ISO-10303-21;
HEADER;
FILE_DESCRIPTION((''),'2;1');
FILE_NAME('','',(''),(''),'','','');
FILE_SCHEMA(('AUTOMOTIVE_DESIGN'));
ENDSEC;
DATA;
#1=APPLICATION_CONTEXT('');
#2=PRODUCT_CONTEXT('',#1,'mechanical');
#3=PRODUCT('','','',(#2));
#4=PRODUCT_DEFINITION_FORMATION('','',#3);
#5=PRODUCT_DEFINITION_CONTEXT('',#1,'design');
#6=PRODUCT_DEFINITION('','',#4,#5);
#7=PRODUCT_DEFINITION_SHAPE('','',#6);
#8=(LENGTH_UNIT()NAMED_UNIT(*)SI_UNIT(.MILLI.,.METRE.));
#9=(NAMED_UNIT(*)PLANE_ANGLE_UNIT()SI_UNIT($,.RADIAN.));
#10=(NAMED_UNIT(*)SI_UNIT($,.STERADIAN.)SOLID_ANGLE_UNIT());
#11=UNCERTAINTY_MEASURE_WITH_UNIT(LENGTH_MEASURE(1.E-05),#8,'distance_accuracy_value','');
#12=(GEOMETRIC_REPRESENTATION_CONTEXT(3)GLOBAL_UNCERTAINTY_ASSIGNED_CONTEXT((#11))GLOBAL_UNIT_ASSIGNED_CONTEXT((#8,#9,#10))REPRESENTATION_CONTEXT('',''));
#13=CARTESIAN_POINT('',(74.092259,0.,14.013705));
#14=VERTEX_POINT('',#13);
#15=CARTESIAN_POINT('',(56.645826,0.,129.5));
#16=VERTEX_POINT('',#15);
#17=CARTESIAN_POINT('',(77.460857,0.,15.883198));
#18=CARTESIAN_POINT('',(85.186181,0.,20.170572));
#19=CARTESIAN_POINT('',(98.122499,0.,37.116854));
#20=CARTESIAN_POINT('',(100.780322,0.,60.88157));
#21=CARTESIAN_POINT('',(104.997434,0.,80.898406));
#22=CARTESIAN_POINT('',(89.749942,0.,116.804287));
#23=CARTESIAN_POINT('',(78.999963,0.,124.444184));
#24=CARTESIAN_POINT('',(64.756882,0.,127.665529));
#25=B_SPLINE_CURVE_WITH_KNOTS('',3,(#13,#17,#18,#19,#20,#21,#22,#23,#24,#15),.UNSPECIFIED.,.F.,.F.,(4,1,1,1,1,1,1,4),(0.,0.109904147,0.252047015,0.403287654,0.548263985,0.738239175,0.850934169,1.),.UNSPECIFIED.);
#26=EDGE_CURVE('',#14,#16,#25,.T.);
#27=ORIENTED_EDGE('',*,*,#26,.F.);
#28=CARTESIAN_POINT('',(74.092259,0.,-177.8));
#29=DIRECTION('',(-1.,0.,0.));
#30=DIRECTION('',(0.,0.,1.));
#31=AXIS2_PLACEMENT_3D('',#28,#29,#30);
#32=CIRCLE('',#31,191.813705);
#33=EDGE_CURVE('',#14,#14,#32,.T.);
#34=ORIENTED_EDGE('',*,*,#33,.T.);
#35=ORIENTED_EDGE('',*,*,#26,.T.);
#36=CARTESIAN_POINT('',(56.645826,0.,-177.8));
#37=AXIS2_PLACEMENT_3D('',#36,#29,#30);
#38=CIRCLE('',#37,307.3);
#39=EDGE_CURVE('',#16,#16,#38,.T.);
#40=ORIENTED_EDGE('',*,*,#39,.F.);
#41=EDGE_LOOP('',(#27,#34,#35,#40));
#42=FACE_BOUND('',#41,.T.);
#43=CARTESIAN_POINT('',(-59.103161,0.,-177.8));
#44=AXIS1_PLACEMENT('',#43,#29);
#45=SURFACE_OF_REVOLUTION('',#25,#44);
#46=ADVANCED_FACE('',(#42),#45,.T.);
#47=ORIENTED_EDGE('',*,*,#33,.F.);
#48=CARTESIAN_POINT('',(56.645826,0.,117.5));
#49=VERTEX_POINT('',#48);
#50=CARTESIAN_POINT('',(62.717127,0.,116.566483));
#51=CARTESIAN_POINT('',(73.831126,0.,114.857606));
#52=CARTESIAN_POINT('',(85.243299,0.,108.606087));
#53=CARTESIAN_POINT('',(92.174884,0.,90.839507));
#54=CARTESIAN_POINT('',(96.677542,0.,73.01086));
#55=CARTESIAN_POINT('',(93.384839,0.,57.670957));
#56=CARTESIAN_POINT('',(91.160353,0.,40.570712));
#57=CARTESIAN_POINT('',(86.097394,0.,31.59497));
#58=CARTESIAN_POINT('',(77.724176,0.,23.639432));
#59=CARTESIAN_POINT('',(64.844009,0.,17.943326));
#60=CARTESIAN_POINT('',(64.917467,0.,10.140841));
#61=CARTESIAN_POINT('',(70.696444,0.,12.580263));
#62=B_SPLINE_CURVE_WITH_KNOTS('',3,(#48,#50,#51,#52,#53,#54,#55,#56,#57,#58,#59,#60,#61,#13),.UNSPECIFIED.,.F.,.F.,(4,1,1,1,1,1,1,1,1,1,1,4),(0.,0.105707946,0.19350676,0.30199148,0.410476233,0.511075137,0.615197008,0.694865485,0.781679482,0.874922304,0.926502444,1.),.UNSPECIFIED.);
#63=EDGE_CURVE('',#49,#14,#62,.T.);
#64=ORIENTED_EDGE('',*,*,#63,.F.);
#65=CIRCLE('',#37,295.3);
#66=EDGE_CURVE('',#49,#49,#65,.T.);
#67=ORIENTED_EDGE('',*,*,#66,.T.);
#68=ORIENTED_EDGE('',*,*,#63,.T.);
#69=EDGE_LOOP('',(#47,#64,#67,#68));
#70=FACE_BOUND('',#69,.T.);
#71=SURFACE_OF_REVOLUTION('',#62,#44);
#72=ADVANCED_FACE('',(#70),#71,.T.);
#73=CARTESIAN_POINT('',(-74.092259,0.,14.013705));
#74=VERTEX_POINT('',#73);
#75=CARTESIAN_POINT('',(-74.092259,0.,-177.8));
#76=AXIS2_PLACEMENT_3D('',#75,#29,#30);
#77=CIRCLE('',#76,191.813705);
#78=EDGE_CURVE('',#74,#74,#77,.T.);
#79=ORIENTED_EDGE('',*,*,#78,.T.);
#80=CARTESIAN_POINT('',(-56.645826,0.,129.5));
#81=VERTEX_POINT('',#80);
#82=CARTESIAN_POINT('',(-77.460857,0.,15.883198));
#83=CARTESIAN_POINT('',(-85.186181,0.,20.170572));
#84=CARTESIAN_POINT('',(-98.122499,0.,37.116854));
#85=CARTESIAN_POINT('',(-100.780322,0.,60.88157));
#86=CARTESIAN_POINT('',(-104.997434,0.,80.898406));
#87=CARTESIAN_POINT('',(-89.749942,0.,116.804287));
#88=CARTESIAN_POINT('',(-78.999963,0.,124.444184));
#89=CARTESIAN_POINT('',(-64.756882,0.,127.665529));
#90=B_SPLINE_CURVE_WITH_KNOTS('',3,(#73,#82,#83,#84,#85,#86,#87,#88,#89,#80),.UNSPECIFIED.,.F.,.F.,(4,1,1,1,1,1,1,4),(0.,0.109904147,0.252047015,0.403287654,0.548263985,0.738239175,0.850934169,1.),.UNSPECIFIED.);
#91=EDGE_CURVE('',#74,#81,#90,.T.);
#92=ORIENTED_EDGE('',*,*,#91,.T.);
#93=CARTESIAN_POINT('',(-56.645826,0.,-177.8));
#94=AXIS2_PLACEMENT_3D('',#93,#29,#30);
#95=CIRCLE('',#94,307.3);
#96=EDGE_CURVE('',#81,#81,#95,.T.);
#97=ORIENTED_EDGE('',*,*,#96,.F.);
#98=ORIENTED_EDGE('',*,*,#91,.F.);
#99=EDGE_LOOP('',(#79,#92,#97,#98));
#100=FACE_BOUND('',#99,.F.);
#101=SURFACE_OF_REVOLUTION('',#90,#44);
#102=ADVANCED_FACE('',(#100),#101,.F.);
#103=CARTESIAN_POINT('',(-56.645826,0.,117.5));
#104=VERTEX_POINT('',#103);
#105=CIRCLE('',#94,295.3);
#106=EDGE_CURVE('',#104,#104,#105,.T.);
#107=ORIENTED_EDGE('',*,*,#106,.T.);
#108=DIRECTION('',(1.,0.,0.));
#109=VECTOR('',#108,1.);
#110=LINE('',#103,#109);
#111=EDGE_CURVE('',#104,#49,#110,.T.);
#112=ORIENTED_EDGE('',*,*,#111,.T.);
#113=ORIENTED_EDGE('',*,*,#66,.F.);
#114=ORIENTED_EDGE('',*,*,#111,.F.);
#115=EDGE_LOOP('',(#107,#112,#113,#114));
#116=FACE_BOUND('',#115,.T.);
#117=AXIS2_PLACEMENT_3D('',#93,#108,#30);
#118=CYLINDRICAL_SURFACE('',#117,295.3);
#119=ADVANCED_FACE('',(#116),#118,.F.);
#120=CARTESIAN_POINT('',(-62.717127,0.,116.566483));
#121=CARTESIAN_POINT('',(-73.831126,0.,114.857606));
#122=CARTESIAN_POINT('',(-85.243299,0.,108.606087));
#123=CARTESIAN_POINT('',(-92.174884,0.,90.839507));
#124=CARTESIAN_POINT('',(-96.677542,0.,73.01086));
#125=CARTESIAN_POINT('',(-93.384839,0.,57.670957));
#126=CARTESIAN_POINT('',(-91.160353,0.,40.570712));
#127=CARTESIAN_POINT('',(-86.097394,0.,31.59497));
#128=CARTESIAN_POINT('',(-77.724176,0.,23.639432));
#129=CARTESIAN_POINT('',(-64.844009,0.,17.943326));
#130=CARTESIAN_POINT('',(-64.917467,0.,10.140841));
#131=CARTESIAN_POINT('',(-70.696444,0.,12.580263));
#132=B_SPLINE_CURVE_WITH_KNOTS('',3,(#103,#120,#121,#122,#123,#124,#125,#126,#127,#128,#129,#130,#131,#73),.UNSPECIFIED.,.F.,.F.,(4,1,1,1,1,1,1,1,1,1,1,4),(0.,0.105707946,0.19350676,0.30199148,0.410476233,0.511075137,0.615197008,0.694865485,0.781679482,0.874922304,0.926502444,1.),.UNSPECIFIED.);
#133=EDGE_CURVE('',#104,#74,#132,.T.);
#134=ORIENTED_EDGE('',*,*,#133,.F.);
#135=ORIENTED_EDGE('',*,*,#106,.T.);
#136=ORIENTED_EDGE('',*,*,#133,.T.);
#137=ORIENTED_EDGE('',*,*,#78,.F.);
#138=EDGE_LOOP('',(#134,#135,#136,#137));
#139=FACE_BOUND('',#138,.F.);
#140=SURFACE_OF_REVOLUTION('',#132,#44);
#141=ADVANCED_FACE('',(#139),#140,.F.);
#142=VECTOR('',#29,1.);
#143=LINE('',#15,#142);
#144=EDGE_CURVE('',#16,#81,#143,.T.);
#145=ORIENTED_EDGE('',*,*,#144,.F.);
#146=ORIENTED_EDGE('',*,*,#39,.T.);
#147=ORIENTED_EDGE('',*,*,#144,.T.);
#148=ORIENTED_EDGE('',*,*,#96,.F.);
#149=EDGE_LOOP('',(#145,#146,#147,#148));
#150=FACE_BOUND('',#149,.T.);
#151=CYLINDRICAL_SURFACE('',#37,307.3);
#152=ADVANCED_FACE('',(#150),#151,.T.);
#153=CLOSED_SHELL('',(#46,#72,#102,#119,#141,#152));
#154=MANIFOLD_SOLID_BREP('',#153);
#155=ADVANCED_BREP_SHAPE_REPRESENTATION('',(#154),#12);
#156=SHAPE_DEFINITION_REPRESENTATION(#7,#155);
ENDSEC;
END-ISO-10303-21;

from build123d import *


with BuildPart() as f1:
    # F0 (on Front) → F1 (revolve)
    with BuildSketch(Plane.XZ):
        with BuildLine():
            add(Edge.make_bspline(
                [(56.6458255053, 117.5), (62.7171272649, 116.5664827373), (73.8311255873, 114.8576055142), (85.2432993489, 108.6060869136), (92.1748838376, 90.8395071551), (96.6775416805, 73.0108596041), (93.3848388851, 57.6709572407), (91.1603534237, 40.5707121309), (86.0973938118, 31.5949696788), (77.7241755203, 23.6394321706), (64.8440093318, 17.9433264081), (64.9174665786, 10.1408411785), (70.6964441381, 12.580263439), (74.0922592328, 14.0137050555)],
                knots=[0, 0, 0, 0, 0.1057079458, 0.1935067599, 0.3019914797, 0.4104762332, 0.5110751366, 0.6151970084, 0.6948654854, 0.7816794816, 0.8749223043, 0.9265024439, 1, 1, 1, 1], degree=3))
            add(Edge.make_bspline(
                [(74.0922592328, 14.0137050555), (77.460857379, 15.8831982669), (85.1861810436, 20.1705722785), (98.1224992698, 37.1168542101), (100.7803224981, 60.881569733), (104.9974342753, 80.898405937), (89.7499416824, 116.8042871993), (78.9999632091, 124.444184055), (64.7568817465, 127.6655294416), (56.6458255053, 129.5)],
                knots=[0, 0, 0, 0, 0.1099041468, 0.2520470146, 0.4032876545, 0.5482639847, 0.7382391755, 0.8509341693, 1, 1, 1, 1], degree=3))
            Line((56.6458255053, 129.5), (0, 129.5))
            Line((0, 129.5), (-56.6458255053, 129.5))
            add(Edge.make_bspline(
                [(-74.0922592328, 14.0137050555), (-77.460857379, 15.8831982669), (-85.1861810436, 20.1705722785), (-98.1224992698, 37.1168542101), (-100.7803224981, 60.881569733), (-104.9974342753, 80.898405937), (-89.7499416824, 116.8042871993), (-78.9999632091, 124.444184055), (-64.7568817465, 127.6655294416), (-56.6458255053, 129.5)],
                knots=[0, 0, 0, 0, 0.1099041468, 0.2520470146, 0.4032876545, 0.5482639847, 0.7382391755, 0.8509341693, 1, 1, 1, 1], degree=3))
            add(Edge.make_bspline(
                [(-56.6458255053, 117.5), (-62.7171272649, 116.5664827373), (-73.8311255873, 114.8576055142), (-85.2432993489, 108.6060869136), (-92.1748838376, 90.8395071551), (-96.6775416805, 73.0108596041), (-93.3848388851, 57.6709572407), (-91.1603534237, 40.5707121309), (-86.0973938118, 31.5949696788), (-77.7241755203, 23.6394321706), (-64.8440093318, 17.9433264081), (-64.9174665786, 10.1408411785), (-70.6964441381, 12.580263439), (-74.0922592328, 14.0137050555)],
                knots=[0, 0, 0, 0, 0.1057079458, 0.1935067599, 0.3019914797, 0.4104762332, 0.5110751366, 0.6151970084, 0.6948654854, 0.7816794816, 0.8749223043, 0.9265024439, 1, 1, 1, 1], degree=3))
            Line((-56.6458255053, 117.5), (0, 117.5))
            Line((0, 117.5), (56.6458255053, 117.5))
        make_face()
    revolve(axis=Axis((-59.1031610966, 0, -177.8), (-1, 0, 0)))


solid = f1.part
